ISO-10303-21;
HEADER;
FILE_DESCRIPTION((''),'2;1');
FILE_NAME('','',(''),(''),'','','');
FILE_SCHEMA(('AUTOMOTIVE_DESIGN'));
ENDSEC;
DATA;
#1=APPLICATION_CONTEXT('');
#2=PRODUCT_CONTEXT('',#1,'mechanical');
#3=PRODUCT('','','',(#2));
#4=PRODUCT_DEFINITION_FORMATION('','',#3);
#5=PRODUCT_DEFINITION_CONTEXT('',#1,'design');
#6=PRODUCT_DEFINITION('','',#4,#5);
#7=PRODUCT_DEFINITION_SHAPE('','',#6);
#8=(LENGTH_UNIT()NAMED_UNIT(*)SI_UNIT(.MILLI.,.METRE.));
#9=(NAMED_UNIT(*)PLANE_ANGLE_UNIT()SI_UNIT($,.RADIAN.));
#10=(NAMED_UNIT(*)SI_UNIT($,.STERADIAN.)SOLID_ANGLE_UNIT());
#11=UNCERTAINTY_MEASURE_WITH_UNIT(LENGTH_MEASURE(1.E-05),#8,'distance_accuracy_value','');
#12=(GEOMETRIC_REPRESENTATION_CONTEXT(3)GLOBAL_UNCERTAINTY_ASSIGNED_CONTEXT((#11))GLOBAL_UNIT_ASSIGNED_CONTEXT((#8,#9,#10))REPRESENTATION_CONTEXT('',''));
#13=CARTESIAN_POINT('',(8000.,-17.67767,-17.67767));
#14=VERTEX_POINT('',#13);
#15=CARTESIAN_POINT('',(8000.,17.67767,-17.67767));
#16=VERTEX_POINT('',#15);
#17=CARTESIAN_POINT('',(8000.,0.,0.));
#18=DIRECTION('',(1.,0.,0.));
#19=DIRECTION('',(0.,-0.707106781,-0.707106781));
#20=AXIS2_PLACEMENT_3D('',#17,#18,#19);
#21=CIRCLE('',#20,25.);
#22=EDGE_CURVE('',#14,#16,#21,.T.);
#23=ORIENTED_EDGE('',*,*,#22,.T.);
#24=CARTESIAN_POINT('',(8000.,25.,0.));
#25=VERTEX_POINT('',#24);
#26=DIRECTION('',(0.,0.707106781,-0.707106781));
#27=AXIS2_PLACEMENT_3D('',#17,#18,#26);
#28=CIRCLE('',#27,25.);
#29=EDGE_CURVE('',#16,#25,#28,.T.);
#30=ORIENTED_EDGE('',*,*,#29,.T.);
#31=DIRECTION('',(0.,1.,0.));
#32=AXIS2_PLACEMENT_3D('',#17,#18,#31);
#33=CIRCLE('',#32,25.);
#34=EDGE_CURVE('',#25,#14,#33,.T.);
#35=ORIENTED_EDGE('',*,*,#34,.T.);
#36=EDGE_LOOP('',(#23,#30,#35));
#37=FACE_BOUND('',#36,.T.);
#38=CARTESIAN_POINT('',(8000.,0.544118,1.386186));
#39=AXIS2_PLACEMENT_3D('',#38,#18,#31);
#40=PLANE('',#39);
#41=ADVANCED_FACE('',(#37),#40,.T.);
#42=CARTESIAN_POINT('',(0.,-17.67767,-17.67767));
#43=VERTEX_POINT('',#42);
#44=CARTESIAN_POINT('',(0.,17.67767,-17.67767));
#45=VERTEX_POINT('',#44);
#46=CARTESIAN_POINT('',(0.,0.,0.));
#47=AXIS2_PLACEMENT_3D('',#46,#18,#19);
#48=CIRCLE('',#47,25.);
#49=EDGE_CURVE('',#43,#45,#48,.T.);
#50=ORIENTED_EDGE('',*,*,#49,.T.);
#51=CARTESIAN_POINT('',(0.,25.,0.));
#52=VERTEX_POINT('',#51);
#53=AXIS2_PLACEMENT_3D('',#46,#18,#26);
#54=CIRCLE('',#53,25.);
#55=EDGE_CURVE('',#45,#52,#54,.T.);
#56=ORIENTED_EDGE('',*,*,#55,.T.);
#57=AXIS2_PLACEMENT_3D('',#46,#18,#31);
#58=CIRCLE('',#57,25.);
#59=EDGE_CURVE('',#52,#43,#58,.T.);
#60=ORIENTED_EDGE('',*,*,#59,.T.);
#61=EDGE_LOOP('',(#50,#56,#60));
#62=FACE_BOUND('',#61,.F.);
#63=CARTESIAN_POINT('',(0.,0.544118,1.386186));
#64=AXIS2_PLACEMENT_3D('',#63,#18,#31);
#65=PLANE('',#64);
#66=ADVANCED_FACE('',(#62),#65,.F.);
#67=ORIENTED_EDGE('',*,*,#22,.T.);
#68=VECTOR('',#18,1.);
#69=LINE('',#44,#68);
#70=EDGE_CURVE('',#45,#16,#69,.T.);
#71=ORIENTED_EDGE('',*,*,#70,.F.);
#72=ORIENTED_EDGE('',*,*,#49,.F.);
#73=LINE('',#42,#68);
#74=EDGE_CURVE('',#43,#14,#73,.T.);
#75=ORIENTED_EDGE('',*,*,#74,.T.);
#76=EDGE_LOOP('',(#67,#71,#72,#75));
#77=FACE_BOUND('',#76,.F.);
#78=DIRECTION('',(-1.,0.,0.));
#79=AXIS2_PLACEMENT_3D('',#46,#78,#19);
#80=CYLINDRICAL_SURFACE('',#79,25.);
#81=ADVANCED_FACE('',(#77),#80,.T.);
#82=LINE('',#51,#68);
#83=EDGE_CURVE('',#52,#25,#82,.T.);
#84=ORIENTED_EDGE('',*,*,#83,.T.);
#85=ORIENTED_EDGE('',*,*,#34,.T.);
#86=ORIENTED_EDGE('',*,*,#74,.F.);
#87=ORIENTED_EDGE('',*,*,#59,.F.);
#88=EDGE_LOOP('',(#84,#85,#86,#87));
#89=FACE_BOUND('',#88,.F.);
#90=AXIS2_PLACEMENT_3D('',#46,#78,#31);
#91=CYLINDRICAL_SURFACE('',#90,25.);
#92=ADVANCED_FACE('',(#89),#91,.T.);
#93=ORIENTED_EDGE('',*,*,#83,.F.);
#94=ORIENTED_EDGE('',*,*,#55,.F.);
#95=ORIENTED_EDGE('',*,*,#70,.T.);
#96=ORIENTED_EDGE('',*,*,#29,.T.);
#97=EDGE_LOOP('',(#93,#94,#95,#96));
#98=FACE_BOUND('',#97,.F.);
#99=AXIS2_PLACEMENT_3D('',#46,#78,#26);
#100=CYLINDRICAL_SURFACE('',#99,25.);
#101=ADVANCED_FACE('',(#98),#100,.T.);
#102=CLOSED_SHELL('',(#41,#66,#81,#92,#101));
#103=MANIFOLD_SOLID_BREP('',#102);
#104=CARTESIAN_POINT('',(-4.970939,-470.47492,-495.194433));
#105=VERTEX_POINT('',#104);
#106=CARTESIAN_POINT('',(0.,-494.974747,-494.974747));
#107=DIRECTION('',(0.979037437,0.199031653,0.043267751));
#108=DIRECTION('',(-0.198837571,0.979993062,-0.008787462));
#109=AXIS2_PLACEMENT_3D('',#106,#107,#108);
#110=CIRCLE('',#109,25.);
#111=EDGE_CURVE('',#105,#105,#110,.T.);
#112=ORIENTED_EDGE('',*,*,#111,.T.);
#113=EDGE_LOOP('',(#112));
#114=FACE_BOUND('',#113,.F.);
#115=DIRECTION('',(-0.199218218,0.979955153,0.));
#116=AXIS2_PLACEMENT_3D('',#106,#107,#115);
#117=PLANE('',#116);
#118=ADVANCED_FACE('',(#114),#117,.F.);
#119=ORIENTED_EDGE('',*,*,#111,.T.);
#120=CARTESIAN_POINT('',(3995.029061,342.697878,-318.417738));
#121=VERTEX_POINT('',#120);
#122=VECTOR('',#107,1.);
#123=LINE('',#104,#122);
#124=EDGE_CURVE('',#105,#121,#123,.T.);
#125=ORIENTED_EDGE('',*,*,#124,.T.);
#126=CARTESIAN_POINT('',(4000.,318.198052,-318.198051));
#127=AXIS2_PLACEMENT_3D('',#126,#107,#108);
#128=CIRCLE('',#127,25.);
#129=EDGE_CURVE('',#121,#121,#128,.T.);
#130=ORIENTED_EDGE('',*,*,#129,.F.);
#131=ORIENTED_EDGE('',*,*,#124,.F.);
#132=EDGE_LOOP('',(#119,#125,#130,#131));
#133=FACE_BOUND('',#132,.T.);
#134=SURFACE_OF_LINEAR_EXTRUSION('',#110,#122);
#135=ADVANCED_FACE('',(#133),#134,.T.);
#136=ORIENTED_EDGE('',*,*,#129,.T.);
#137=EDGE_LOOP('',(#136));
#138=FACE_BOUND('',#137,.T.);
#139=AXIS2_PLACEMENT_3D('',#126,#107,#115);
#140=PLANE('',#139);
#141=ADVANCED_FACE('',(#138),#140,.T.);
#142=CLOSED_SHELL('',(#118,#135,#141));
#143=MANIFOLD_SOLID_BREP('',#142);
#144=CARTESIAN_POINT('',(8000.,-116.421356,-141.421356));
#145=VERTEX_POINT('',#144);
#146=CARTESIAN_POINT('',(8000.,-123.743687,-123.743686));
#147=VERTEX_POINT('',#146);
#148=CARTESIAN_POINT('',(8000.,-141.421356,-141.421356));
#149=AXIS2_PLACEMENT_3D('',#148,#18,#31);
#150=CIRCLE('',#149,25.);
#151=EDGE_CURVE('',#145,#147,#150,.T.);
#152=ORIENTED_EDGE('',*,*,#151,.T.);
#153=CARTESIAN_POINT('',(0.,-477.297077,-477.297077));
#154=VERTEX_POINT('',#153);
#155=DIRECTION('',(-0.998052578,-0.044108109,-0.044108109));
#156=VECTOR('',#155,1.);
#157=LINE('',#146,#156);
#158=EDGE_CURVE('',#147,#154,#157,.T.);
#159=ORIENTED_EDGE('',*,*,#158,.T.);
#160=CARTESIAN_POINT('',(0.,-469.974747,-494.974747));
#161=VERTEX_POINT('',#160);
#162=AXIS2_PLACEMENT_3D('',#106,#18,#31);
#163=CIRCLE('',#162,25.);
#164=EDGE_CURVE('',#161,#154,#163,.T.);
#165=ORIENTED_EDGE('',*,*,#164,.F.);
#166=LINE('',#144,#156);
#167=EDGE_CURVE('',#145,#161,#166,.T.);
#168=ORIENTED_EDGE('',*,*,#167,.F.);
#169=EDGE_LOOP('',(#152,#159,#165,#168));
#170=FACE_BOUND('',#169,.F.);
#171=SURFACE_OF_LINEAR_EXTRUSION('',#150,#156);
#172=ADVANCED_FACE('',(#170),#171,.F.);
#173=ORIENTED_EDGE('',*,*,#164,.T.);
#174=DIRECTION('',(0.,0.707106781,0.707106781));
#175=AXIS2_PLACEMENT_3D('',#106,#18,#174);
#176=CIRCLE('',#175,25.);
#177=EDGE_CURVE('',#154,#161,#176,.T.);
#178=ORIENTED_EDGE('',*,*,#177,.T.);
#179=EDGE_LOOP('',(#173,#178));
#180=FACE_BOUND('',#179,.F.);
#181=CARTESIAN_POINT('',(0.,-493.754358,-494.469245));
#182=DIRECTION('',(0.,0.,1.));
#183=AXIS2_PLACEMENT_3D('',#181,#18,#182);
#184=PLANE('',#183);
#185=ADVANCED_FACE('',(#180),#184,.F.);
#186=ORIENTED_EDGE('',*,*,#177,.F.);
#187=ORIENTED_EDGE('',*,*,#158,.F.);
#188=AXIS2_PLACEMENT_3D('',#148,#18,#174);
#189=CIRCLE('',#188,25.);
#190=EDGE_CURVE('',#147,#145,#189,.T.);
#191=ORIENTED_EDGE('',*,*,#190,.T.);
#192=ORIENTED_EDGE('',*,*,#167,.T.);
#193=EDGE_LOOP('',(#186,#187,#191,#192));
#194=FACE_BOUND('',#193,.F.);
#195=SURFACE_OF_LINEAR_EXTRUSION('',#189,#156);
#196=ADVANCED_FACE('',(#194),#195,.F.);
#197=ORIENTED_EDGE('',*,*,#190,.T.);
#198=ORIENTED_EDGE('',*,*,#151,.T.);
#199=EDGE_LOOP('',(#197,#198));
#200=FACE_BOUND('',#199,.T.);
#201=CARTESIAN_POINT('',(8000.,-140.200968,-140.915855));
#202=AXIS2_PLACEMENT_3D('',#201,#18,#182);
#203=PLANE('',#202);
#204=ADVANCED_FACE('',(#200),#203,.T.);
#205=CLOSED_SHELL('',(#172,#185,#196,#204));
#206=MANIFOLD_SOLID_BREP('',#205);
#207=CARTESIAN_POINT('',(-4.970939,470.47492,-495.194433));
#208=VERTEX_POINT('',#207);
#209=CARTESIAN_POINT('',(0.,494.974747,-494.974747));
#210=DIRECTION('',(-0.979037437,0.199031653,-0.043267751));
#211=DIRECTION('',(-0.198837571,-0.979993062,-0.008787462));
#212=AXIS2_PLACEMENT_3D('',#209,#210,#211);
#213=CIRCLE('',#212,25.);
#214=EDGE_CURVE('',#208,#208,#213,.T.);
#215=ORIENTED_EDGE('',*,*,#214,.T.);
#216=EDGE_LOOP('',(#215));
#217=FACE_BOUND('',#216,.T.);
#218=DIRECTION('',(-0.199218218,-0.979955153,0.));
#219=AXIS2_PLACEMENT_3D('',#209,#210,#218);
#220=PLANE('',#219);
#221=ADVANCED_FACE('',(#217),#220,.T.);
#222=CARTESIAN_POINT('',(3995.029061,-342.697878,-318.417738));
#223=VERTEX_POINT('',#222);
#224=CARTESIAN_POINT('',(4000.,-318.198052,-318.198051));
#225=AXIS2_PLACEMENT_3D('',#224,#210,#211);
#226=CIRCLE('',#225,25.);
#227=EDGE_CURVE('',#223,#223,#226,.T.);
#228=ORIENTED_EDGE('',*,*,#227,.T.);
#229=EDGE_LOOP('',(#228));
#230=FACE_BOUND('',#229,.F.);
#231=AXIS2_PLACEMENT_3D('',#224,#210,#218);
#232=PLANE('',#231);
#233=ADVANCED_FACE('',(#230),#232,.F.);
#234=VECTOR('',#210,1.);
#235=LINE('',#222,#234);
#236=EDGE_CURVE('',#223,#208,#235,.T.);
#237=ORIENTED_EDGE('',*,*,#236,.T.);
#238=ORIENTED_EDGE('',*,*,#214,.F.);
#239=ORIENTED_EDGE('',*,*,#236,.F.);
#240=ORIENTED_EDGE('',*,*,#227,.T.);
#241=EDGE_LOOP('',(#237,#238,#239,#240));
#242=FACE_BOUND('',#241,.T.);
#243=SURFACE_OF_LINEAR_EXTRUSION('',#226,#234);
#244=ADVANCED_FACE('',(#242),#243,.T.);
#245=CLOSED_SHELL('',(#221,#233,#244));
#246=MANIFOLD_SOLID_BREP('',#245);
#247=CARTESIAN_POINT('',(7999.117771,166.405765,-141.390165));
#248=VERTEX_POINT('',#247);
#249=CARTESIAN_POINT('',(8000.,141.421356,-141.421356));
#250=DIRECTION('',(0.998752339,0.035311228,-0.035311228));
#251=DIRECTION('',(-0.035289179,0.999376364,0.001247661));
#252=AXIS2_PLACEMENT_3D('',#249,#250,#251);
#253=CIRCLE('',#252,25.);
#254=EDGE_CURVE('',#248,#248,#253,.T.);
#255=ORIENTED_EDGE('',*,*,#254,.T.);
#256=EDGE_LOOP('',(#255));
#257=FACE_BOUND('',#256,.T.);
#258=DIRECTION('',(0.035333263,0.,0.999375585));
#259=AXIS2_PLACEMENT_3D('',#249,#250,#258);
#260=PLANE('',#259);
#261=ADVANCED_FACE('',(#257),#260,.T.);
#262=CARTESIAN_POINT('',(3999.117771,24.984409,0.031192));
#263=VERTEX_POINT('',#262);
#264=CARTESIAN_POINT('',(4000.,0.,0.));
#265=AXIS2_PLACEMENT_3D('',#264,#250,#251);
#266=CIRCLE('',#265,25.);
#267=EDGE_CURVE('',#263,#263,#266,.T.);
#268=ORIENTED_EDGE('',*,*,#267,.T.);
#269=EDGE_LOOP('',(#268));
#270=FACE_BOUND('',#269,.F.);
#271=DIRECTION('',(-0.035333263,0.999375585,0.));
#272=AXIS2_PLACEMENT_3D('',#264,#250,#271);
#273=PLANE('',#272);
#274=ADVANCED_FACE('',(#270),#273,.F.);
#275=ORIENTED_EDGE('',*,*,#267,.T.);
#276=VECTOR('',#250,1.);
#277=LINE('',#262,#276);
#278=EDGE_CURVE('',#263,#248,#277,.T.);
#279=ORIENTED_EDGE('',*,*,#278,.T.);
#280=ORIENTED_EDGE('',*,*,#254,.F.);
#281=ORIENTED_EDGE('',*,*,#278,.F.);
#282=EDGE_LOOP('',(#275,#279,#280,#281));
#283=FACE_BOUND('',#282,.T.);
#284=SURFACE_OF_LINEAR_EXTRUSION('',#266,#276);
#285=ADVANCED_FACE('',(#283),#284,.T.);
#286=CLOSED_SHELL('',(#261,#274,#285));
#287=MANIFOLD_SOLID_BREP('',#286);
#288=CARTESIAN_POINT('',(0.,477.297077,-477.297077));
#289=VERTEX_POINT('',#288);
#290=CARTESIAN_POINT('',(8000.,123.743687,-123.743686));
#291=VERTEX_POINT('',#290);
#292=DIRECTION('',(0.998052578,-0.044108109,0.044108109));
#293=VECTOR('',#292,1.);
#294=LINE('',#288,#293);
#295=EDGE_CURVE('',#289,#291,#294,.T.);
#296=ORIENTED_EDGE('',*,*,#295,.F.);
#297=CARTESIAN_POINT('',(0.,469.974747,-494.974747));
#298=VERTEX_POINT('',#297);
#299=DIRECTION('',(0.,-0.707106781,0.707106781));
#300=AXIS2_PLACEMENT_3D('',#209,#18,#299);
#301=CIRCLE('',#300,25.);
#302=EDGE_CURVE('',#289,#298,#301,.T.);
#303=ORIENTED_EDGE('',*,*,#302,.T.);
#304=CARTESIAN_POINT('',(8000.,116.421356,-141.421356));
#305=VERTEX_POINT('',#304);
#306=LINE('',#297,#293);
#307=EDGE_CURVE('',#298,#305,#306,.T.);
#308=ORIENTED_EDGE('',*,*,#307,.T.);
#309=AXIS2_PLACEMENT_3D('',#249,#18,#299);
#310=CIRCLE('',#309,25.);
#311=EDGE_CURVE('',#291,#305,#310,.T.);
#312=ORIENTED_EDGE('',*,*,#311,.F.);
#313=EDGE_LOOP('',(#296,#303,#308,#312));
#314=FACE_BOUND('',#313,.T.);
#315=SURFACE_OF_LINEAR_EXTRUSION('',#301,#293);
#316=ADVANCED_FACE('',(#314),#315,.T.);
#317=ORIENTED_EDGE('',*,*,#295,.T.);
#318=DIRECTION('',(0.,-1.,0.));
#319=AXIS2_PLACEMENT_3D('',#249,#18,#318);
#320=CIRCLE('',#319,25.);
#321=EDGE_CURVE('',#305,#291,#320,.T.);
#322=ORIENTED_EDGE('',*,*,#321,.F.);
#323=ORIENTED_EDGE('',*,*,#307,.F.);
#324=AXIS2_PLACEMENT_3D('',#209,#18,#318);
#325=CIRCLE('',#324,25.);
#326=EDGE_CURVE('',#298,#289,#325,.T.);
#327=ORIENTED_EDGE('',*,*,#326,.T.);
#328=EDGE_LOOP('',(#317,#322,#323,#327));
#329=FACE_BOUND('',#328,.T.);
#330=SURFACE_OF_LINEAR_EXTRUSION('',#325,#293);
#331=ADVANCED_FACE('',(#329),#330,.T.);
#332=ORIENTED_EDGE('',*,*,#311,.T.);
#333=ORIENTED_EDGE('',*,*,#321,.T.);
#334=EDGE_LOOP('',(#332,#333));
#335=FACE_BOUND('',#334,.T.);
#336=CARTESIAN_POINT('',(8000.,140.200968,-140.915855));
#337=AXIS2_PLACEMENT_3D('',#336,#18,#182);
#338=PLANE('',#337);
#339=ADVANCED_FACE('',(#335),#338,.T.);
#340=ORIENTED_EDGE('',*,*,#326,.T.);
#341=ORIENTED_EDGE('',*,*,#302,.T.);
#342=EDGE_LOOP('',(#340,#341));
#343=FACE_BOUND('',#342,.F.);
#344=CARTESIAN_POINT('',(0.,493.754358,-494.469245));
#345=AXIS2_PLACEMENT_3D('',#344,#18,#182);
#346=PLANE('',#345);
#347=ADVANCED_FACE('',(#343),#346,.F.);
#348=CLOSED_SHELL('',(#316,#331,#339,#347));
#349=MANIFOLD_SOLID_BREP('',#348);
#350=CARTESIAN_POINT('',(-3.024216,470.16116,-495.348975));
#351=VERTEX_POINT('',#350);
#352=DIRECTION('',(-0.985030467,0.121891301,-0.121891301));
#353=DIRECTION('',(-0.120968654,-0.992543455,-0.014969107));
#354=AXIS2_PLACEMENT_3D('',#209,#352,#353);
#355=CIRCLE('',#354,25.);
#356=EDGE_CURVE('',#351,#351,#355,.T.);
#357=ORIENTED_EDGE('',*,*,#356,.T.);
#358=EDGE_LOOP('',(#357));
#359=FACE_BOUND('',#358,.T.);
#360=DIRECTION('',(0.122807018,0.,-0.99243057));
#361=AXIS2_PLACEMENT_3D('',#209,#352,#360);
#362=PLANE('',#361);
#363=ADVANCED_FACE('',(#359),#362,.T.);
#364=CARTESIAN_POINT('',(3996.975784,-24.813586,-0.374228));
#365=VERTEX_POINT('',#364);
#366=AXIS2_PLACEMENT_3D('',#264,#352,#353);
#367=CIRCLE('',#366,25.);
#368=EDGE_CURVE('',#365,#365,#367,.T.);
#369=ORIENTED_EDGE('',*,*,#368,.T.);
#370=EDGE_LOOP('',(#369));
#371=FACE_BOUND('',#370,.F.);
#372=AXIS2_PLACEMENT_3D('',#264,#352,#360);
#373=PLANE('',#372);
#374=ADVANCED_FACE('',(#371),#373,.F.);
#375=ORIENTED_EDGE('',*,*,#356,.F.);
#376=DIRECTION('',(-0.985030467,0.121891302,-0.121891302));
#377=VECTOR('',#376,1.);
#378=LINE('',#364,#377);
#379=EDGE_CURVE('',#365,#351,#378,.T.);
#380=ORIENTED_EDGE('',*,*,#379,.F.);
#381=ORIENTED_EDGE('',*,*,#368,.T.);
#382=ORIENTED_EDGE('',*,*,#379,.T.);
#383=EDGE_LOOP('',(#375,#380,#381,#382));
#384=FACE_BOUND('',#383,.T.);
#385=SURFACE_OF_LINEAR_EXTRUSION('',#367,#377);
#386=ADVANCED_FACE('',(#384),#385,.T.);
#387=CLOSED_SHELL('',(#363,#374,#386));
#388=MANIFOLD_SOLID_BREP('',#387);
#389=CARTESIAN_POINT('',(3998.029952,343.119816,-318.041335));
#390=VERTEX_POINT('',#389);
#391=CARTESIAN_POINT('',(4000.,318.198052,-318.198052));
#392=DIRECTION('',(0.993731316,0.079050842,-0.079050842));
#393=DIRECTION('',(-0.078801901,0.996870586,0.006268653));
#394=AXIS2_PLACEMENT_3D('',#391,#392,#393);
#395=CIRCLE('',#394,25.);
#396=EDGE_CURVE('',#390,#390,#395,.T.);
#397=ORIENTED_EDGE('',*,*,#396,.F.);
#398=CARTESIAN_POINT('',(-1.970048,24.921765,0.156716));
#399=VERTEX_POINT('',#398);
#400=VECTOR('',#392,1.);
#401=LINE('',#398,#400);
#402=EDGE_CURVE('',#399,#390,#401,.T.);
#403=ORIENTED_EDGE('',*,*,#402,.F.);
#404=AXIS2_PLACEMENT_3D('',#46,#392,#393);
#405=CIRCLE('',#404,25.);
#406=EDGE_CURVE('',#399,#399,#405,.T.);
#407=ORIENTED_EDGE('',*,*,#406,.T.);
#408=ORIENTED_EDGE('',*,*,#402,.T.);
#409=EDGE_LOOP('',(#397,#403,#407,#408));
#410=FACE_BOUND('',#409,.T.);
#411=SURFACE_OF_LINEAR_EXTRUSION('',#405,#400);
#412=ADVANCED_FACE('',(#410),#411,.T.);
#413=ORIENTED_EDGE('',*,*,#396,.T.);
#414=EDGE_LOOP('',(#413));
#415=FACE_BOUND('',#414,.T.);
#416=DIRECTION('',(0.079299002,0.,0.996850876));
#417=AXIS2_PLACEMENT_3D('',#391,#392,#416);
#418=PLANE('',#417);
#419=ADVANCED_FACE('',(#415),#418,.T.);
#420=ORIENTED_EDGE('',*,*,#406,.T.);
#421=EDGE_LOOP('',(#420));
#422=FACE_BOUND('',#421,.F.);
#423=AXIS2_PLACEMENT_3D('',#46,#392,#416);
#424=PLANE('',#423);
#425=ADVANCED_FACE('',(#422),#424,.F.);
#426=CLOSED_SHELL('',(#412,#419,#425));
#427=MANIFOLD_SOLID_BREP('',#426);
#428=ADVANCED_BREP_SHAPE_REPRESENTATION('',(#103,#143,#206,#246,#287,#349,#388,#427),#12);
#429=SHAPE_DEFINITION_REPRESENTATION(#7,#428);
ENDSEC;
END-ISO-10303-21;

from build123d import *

# Parameters (mm, degrees)
F1_DEPTH = 8000
F37_R    = 25
F40_R    = 25
F43_R    = 25
F46_R    = 25
F49_R    = 25


with BuildPart() as f1:
    # F0 (on Right) → F1 (new body)
    with BuildSketch(Plane.YZ):
        with BuildLine():
            ThreePointArc((17.6776695297, -17.6776695297), (23.0969883128, -9.5670858091), (25, 0))
            ThreePointArc((25, 0), (-9.5670858091, 23.0969883128), (-17.6776695297, -17.6776695297))
            Line((-17.6776695297, -17.6776695297), (0, 0))
            Line((0, 0), (17.6776695297, -17.6776695297))
        make_face()
        with BuildLine():
            Line((0, 0), (-17.6776695297, -17.6776695297))
            ThreePointArc((-17.6776695297, -17.6776695297), (0, -25), (17.6776695297, -17.6776695297))
            Line((17.6776695297, -17.6776695297), (0, 0))
        make_face()
    extrude(amount=F1_DEPTH)


with BuildPart() as f6:
    # F6: sweep along a path in F5
    with BuildLine(Plane(origin=(21.8323586745, 0, -494.0098837763), x_dir=(0.9990248657, 0, 0.0441510786), z_dir=(0.0441510786, 0, -0.9990248657))) as f6_path:
        Line((-21.8536689369, -494.9747468306), (7985.9550200866, -141.4213562373))
    # F0 (on Right) → F6 (sweep)
    with BuildSketch(Plane.YZ):
        with BuildLine():
            ThreePointArc((519.9747468306, -494.9747468306), (504.5418326397, -471.8777585178), (477.2970773009, -477.2970773009))
            Line((477.2970773009, -477.2970773009), (494.9747468306, -494.9747468306))
            Line((494.9747468306, -494.9747468306), (469.9747468306, -494.9747468306))
            ThreePointArc((469.9747468306, -494.9747468306), (494.9747468306, -519.9747468306), (519.9747468306, -494.9747468306))
        make_face()
        with BuildLine():
            Line((494.9747468306, -494.9747468306), (477.2970773009, -477.2970773009))
            ThreePointArc((477.2970773009, -477.2970773009), (471.8777585178, -485.4076610215), (469.9747468306, -494.9747468306))
            Line((469.9747468306, -494.9747468306), (494.9747468306, -494.9747468306))
        make_face()
    sweep(path=f6_path.line)


with BuildPart() as f7:
    # F7: sweep along a path in F5
    with BuildLine(Plane(origin=(21.8323586745, 0, -494.0098837763), x_dir=(0.9990248657, 0, 0.0441510786), z_dir=(0.0441510786, 0, -0.9990248657))) as f7_path:
        Line((7985.9550200866, 141.4213562373), (-21.8536689369, 494.9747468306))
    # F0 (on Right) → F7 (sweep)
    with BuildSketch(Plane.YZ):
        with BuildLine():
            Line((-494.9747468306, -494.9747468306), (-477.2970773009, -477.2970773009))
            ThreePointArc((-477.2970773009, -477.2970773009), (-518.0717351434, -504.5418326397), (-469.9747468306, -494.9747468306))
            Line((-469.9747468306, -494.9747468306), (-494.9747468306, -494.9747468306))
        make_face()
        with BuildLine():
            ThreePointArc((-469.9747468306, -494.9747468306), (-471.8777585178, -485.4076610215), (-477.2970773009, -477.2970773009))
            Line((-477.2970773009, -477.2970773009), (-494.9747468306, -494.9747468306))
            Line((-494.9747468306, -494.9747468306), (-469.9747468306, -494.9747468306))
        make_face()
    sweep(path=f7_path.line)


with BuildPart() as f38:
    # F38: sweep along a path in F35
    with BuildLine(Plane(origin=(21.8323586745, 0, -494.0098837763), x_dir=(0.9990248657, 0, 0.0441510786), z_dir=(0.0441510786, 0, -0.9990248657))) as f38_path:
        Line((3982.0506755748, 318.1980515339), (-21.8536689369, -494.9747468306))
    # F37 (on line) → F38 (sweep)
    with BuildSketch(Plane(origin=(-117.4180020968, 23.8702813358, -5.1891915947), x_dir=(-0.1988375705, -0.9799930618, -0.0087874622), z_dir=(-0.9790374369, 0.1990316531, -0.0432677507))):
        with Locations((-480.7222457814, -494.4920799709)):
            Circle(F37_R)
    sweep(path=f38_path.line)


with BuildPart() as f41:
    # F41: sweep along a path in F34
    with BuildLine(Plane(origin=(0, 0, 0), x_dir=(1, 0, 0), z_dir=(0, -0.7071067812, -0.7071067812))) as f41_path:
        Line((0, 0), (4000, -450))
    # F40 (on line) → F41 (sweep)
    with BuildSketch(Plane(origin=(0, 0, 0), x_dir=(-0.0788019012, 0.9968705856, 0.0062686529), z_dir=(0.9937313162, 0.0790508421, -0.0790508421))):
        Circle(F40_R)
    sweep(path=f41_path.line)


with BuildPart() as f44:
    # F44: sweep along a path in F35
    with BuildLine(Plane(origin=(21.8323586745, 0, -494.0098837763), x_dir=(0.9990248657, 0, 0.0441510786), z_dir=(0.0441510786, 0, -0.9990248657))) as f44_path:
        Line((-21.8536689369, 494.9747468306), (3982.0506755748, -318.1980515339))
    # F43 (on line) → F44 (sweep)
    with BuildSketch(Plane(origin=(-117.4180020968, -23.8702813358, -5.1891915947), x_dir=(-0.1988375705, 0.9799930618, -0.0087874622), z_dir=(0.9790374369, 0.1990316531, 0.0432677507))):
        with Locations((-480.7222457814, -494.492079971)):
            Circle(F43_R)
    sweep(path=f44_path.line)


with BuildPart() as f47:
    # F47: sweep along a path in F34
    with BuildLine(Plane(origin=(0, 0, 0), x_dir=(1, 0, 0), z_dir=(0, -0.7071067812, -0.7071067812))) as f47_path:
        Line((4000, 0), (0, -700))
    # F46 (on line) → F47 (sweep)
    with BuildSketch(Plane(origin=(-118.8599151001, 14.7081640962, -14.7081640962), x_dir=(-0.1209686539, -0.9925434553, -0.0149691072), z_dir=(-0.9850304672, 0.1218913015, -0.1218913015))):
        with Locations((-483.8746154449, -491.2280701754)):
            Circle(F46_R)
    sweep(path=f47_path.line)


with BuildPart() as f50:
    # F50: sweep along a path in F34
    with BuildLine(Plane(origin=(0, 0, 0), x_dir=(1, 0, 0), z_dir=(0, -0.7071067812, -0.7071067812))) as f50_path:
        Line((4000, 0), (8000, -200))
    # F49 (on line) → F50 (sweep)
    with BuildSketch(Plane(origin=(3990.0249376559, 141.068684526, -141.068684526), x_dir=(-0.0352891787, 0.9993763641, 0.0012476609), z_dir=(0.9987523389, 0.0353112276, -0.0353112276))):
        with Locations((-141.1567149149, 141.3330506675)):
            Circle(F49_R)
    sweep(path=f50_path.line)


solid = Compound([f1.part, f6.part, f7.part, f38.part, f41.part, f44.part, f47.part, f50.part])
